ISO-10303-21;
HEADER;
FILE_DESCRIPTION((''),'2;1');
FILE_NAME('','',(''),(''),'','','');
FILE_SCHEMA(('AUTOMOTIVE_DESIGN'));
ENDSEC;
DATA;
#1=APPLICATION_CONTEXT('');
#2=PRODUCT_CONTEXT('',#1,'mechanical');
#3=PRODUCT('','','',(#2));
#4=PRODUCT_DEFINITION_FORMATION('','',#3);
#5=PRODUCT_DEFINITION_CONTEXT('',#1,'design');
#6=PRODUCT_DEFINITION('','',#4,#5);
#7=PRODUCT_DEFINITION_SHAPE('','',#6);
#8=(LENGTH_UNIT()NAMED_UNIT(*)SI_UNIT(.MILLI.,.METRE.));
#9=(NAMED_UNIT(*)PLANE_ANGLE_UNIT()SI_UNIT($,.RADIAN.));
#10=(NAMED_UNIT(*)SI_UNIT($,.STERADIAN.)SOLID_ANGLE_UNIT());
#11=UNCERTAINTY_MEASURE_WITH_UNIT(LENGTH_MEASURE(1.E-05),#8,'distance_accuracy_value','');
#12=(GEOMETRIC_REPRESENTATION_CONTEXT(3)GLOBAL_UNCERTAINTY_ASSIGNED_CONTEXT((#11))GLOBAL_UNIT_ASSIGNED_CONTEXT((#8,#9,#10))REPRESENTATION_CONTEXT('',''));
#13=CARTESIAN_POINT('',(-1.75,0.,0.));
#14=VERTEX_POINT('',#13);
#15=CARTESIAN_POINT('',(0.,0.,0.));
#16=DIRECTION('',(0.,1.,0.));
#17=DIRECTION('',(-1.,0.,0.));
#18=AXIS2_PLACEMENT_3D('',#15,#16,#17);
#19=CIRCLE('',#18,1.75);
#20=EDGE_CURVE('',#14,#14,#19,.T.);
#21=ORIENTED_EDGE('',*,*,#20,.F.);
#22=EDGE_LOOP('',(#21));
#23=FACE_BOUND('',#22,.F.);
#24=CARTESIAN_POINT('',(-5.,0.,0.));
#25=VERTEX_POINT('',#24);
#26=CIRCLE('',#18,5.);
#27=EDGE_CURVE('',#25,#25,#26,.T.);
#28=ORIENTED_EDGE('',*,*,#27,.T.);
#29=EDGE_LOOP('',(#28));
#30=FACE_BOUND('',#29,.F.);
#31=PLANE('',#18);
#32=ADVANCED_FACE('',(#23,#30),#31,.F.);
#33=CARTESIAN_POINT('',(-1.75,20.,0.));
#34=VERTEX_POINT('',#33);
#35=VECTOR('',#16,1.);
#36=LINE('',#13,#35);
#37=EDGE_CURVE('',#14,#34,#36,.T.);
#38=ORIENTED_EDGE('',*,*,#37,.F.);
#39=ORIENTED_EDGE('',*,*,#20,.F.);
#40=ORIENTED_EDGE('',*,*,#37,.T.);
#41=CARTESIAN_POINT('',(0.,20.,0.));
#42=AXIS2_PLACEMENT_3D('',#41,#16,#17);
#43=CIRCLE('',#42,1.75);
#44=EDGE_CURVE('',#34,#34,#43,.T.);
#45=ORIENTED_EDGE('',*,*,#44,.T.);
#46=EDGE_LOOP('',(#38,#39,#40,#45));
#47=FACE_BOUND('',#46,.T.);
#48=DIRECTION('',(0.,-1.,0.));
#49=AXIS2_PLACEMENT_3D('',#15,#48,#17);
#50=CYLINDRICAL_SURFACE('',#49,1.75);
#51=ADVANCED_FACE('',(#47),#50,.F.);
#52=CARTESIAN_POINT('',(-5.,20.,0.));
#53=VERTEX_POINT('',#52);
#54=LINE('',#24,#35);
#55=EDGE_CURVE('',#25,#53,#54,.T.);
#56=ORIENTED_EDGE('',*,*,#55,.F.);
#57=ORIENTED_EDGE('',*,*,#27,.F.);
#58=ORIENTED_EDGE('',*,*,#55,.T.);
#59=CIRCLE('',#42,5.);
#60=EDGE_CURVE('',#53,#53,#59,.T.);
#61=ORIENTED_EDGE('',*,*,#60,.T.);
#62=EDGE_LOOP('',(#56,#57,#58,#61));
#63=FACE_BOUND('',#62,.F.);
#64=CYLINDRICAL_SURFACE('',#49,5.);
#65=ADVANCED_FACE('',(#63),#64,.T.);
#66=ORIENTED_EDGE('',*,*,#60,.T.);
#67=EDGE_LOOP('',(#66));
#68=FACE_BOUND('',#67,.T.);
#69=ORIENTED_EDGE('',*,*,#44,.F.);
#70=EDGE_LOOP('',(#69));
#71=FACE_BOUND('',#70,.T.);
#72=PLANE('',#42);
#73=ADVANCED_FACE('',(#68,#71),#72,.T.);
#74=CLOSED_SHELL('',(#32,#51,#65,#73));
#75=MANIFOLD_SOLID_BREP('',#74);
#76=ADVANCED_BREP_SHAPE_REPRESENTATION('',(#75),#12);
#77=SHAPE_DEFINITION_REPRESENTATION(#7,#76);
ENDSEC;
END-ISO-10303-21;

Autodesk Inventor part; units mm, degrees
ref_plane "YZ Plane" through (0, 0, 0) normal (1, 0, 0) x (0, 1, 0)
ref_plane "XZ Plane" through (0, 0, 0) normal (0, 1, 0) x (-1, 0, 0)
ref_plane "XY Plane" through (0, 0, 0) normal (0, 0, 1) x (1, 0, 0)
sketch "Boceto1" plane through (0, 0, 0) normal (0, 1, 0) x (-1, 0, 0)
  circle A0 centre (0, 0) radius 5
  circle A1 centre (0, 0) radius 1.75
  dimension "d0" = 10
  dimension "d1" = 3.5
extrude "Extrusión1" add sketch "Boceto1" along normal blind 20
properties part number "sepmoit"
